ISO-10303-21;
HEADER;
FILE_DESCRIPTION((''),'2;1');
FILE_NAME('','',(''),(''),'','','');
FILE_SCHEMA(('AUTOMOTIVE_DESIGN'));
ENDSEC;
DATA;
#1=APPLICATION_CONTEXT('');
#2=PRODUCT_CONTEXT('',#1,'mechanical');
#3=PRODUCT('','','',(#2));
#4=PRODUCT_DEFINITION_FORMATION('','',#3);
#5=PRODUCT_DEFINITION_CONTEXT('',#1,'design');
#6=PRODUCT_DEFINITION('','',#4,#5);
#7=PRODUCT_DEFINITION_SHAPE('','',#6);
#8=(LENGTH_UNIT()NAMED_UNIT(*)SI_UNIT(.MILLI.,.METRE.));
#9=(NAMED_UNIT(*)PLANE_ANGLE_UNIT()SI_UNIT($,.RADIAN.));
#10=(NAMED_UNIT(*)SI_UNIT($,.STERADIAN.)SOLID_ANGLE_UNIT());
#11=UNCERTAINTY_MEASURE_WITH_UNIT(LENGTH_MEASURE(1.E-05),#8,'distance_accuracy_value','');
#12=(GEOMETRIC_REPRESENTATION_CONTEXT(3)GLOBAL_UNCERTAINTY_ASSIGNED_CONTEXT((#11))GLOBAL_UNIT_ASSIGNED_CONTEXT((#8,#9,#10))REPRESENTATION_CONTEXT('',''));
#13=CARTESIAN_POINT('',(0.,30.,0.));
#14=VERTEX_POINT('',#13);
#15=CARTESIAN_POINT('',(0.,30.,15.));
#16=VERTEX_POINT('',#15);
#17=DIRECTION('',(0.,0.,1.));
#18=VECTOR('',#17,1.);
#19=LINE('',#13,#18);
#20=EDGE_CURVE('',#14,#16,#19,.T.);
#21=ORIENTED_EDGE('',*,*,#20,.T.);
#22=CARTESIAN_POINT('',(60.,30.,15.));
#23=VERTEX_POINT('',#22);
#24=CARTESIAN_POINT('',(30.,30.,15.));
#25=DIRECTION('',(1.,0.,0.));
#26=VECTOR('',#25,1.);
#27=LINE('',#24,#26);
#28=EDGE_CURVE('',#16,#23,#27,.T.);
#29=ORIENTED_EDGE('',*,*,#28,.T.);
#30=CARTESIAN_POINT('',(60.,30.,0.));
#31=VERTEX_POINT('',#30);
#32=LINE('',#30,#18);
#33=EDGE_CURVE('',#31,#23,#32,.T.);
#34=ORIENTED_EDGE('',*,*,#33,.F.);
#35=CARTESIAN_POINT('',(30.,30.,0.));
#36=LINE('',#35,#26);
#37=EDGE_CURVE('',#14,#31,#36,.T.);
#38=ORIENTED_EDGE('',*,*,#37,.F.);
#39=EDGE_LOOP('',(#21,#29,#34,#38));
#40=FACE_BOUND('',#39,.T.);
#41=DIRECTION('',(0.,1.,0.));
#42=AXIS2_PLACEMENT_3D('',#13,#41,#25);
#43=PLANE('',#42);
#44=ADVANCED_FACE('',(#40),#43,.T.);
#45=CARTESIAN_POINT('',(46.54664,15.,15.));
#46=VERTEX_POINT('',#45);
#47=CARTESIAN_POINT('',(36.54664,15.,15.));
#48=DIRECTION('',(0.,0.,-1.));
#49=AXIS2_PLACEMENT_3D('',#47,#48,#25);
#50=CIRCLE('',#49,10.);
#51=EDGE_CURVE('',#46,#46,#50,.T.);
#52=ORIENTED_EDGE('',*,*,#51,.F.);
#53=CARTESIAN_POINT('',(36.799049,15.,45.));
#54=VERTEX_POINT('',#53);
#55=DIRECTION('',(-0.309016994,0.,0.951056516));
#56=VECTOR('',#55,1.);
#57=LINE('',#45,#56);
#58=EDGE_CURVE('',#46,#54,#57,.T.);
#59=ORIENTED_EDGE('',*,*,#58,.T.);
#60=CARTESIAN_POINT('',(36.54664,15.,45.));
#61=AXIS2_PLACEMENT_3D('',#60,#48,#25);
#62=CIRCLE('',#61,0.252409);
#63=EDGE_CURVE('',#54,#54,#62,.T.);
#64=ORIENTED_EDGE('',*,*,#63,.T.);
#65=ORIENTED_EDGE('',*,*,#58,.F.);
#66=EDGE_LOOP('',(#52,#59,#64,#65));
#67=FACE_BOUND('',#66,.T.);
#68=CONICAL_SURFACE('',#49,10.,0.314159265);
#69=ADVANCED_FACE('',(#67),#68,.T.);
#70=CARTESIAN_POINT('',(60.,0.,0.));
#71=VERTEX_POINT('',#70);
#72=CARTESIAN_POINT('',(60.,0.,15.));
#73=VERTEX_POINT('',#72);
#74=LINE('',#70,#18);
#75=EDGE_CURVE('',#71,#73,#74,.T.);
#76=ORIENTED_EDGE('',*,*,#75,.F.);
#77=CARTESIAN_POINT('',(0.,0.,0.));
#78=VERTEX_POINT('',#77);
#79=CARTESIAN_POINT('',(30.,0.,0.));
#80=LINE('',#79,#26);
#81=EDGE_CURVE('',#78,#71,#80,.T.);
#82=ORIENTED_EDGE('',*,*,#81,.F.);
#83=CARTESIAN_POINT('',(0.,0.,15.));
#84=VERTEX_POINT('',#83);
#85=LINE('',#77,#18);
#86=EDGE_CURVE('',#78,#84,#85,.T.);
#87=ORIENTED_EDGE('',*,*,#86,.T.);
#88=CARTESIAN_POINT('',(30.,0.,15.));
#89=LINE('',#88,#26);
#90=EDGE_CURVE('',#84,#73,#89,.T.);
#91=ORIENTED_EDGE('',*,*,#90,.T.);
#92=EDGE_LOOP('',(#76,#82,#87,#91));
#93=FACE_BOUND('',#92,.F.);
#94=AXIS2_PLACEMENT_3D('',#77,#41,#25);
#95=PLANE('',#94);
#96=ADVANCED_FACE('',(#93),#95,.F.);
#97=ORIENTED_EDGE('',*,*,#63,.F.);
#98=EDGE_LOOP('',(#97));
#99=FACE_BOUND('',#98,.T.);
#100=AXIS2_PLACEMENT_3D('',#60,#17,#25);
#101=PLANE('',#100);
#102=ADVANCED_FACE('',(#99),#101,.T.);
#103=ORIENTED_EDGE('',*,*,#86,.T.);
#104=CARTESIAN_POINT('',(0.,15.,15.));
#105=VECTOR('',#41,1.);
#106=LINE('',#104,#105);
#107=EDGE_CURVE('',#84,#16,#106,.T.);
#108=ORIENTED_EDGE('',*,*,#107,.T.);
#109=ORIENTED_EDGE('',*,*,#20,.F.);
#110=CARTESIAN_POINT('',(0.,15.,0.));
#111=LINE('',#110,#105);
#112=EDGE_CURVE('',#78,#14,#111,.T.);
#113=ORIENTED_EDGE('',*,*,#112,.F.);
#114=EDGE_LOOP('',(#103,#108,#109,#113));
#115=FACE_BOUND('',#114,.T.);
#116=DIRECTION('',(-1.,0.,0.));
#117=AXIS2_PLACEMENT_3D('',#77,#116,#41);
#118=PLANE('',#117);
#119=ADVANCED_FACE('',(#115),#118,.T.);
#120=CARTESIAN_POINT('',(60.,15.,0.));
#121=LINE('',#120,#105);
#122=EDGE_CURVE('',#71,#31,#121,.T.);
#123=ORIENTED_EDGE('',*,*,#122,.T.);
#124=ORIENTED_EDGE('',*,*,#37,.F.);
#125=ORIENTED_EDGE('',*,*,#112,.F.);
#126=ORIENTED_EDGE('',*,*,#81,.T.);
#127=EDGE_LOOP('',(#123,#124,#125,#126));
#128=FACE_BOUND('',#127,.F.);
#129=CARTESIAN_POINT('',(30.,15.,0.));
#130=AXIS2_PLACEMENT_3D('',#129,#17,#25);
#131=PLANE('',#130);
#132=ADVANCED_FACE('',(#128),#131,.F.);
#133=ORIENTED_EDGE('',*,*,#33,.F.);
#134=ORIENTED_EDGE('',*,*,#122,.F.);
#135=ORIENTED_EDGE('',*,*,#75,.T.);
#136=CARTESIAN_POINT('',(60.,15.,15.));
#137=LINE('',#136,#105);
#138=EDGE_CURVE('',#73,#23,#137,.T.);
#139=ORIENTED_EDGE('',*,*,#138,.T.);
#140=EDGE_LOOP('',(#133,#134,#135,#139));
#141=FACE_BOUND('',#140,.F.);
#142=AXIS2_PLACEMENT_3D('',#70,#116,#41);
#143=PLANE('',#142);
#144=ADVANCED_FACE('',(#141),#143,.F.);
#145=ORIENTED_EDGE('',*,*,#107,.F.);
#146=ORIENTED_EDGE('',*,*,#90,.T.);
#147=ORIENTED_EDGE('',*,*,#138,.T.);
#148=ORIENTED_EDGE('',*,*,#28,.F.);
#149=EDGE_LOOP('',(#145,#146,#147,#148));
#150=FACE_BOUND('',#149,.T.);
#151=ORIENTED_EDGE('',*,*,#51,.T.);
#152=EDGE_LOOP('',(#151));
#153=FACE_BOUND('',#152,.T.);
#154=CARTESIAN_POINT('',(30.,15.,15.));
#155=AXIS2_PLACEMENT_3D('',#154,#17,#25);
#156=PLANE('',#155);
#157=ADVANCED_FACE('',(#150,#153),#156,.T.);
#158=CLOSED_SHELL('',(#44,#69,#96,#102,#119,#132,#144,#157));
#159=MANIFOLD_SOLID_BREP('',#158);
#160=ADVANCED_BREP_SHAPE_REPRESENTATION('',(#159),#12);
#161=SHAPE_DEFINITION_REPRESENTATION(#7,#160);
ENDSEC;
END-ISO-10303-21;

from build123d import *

# Parameters (mm, degrees)
F0_W     = 60
F0_H     = 30
F1_DEPTH = 15
F2_R     = 10
F3_DEPTH = 30
F3_TAPER = 18


with BuildPart() as f1:
    # F0 (on Top) → F1 (new body)
    with BuildSketch(Plane.XY):
        with Locations((30, 15)):
            Rectangle(F0_W, F0_H)
    extrude(amount=F1_DEPTH)

    # F2 (on face) → F3 (join)
    with BuildSketch(Plane.XY.offset(15)):
        with Locations((36.5466400981, 15)):
            Circle(F2_R)
    extrude(amount=F3_DEPTH, taper=F3_TAPER)


solid = f1.part
